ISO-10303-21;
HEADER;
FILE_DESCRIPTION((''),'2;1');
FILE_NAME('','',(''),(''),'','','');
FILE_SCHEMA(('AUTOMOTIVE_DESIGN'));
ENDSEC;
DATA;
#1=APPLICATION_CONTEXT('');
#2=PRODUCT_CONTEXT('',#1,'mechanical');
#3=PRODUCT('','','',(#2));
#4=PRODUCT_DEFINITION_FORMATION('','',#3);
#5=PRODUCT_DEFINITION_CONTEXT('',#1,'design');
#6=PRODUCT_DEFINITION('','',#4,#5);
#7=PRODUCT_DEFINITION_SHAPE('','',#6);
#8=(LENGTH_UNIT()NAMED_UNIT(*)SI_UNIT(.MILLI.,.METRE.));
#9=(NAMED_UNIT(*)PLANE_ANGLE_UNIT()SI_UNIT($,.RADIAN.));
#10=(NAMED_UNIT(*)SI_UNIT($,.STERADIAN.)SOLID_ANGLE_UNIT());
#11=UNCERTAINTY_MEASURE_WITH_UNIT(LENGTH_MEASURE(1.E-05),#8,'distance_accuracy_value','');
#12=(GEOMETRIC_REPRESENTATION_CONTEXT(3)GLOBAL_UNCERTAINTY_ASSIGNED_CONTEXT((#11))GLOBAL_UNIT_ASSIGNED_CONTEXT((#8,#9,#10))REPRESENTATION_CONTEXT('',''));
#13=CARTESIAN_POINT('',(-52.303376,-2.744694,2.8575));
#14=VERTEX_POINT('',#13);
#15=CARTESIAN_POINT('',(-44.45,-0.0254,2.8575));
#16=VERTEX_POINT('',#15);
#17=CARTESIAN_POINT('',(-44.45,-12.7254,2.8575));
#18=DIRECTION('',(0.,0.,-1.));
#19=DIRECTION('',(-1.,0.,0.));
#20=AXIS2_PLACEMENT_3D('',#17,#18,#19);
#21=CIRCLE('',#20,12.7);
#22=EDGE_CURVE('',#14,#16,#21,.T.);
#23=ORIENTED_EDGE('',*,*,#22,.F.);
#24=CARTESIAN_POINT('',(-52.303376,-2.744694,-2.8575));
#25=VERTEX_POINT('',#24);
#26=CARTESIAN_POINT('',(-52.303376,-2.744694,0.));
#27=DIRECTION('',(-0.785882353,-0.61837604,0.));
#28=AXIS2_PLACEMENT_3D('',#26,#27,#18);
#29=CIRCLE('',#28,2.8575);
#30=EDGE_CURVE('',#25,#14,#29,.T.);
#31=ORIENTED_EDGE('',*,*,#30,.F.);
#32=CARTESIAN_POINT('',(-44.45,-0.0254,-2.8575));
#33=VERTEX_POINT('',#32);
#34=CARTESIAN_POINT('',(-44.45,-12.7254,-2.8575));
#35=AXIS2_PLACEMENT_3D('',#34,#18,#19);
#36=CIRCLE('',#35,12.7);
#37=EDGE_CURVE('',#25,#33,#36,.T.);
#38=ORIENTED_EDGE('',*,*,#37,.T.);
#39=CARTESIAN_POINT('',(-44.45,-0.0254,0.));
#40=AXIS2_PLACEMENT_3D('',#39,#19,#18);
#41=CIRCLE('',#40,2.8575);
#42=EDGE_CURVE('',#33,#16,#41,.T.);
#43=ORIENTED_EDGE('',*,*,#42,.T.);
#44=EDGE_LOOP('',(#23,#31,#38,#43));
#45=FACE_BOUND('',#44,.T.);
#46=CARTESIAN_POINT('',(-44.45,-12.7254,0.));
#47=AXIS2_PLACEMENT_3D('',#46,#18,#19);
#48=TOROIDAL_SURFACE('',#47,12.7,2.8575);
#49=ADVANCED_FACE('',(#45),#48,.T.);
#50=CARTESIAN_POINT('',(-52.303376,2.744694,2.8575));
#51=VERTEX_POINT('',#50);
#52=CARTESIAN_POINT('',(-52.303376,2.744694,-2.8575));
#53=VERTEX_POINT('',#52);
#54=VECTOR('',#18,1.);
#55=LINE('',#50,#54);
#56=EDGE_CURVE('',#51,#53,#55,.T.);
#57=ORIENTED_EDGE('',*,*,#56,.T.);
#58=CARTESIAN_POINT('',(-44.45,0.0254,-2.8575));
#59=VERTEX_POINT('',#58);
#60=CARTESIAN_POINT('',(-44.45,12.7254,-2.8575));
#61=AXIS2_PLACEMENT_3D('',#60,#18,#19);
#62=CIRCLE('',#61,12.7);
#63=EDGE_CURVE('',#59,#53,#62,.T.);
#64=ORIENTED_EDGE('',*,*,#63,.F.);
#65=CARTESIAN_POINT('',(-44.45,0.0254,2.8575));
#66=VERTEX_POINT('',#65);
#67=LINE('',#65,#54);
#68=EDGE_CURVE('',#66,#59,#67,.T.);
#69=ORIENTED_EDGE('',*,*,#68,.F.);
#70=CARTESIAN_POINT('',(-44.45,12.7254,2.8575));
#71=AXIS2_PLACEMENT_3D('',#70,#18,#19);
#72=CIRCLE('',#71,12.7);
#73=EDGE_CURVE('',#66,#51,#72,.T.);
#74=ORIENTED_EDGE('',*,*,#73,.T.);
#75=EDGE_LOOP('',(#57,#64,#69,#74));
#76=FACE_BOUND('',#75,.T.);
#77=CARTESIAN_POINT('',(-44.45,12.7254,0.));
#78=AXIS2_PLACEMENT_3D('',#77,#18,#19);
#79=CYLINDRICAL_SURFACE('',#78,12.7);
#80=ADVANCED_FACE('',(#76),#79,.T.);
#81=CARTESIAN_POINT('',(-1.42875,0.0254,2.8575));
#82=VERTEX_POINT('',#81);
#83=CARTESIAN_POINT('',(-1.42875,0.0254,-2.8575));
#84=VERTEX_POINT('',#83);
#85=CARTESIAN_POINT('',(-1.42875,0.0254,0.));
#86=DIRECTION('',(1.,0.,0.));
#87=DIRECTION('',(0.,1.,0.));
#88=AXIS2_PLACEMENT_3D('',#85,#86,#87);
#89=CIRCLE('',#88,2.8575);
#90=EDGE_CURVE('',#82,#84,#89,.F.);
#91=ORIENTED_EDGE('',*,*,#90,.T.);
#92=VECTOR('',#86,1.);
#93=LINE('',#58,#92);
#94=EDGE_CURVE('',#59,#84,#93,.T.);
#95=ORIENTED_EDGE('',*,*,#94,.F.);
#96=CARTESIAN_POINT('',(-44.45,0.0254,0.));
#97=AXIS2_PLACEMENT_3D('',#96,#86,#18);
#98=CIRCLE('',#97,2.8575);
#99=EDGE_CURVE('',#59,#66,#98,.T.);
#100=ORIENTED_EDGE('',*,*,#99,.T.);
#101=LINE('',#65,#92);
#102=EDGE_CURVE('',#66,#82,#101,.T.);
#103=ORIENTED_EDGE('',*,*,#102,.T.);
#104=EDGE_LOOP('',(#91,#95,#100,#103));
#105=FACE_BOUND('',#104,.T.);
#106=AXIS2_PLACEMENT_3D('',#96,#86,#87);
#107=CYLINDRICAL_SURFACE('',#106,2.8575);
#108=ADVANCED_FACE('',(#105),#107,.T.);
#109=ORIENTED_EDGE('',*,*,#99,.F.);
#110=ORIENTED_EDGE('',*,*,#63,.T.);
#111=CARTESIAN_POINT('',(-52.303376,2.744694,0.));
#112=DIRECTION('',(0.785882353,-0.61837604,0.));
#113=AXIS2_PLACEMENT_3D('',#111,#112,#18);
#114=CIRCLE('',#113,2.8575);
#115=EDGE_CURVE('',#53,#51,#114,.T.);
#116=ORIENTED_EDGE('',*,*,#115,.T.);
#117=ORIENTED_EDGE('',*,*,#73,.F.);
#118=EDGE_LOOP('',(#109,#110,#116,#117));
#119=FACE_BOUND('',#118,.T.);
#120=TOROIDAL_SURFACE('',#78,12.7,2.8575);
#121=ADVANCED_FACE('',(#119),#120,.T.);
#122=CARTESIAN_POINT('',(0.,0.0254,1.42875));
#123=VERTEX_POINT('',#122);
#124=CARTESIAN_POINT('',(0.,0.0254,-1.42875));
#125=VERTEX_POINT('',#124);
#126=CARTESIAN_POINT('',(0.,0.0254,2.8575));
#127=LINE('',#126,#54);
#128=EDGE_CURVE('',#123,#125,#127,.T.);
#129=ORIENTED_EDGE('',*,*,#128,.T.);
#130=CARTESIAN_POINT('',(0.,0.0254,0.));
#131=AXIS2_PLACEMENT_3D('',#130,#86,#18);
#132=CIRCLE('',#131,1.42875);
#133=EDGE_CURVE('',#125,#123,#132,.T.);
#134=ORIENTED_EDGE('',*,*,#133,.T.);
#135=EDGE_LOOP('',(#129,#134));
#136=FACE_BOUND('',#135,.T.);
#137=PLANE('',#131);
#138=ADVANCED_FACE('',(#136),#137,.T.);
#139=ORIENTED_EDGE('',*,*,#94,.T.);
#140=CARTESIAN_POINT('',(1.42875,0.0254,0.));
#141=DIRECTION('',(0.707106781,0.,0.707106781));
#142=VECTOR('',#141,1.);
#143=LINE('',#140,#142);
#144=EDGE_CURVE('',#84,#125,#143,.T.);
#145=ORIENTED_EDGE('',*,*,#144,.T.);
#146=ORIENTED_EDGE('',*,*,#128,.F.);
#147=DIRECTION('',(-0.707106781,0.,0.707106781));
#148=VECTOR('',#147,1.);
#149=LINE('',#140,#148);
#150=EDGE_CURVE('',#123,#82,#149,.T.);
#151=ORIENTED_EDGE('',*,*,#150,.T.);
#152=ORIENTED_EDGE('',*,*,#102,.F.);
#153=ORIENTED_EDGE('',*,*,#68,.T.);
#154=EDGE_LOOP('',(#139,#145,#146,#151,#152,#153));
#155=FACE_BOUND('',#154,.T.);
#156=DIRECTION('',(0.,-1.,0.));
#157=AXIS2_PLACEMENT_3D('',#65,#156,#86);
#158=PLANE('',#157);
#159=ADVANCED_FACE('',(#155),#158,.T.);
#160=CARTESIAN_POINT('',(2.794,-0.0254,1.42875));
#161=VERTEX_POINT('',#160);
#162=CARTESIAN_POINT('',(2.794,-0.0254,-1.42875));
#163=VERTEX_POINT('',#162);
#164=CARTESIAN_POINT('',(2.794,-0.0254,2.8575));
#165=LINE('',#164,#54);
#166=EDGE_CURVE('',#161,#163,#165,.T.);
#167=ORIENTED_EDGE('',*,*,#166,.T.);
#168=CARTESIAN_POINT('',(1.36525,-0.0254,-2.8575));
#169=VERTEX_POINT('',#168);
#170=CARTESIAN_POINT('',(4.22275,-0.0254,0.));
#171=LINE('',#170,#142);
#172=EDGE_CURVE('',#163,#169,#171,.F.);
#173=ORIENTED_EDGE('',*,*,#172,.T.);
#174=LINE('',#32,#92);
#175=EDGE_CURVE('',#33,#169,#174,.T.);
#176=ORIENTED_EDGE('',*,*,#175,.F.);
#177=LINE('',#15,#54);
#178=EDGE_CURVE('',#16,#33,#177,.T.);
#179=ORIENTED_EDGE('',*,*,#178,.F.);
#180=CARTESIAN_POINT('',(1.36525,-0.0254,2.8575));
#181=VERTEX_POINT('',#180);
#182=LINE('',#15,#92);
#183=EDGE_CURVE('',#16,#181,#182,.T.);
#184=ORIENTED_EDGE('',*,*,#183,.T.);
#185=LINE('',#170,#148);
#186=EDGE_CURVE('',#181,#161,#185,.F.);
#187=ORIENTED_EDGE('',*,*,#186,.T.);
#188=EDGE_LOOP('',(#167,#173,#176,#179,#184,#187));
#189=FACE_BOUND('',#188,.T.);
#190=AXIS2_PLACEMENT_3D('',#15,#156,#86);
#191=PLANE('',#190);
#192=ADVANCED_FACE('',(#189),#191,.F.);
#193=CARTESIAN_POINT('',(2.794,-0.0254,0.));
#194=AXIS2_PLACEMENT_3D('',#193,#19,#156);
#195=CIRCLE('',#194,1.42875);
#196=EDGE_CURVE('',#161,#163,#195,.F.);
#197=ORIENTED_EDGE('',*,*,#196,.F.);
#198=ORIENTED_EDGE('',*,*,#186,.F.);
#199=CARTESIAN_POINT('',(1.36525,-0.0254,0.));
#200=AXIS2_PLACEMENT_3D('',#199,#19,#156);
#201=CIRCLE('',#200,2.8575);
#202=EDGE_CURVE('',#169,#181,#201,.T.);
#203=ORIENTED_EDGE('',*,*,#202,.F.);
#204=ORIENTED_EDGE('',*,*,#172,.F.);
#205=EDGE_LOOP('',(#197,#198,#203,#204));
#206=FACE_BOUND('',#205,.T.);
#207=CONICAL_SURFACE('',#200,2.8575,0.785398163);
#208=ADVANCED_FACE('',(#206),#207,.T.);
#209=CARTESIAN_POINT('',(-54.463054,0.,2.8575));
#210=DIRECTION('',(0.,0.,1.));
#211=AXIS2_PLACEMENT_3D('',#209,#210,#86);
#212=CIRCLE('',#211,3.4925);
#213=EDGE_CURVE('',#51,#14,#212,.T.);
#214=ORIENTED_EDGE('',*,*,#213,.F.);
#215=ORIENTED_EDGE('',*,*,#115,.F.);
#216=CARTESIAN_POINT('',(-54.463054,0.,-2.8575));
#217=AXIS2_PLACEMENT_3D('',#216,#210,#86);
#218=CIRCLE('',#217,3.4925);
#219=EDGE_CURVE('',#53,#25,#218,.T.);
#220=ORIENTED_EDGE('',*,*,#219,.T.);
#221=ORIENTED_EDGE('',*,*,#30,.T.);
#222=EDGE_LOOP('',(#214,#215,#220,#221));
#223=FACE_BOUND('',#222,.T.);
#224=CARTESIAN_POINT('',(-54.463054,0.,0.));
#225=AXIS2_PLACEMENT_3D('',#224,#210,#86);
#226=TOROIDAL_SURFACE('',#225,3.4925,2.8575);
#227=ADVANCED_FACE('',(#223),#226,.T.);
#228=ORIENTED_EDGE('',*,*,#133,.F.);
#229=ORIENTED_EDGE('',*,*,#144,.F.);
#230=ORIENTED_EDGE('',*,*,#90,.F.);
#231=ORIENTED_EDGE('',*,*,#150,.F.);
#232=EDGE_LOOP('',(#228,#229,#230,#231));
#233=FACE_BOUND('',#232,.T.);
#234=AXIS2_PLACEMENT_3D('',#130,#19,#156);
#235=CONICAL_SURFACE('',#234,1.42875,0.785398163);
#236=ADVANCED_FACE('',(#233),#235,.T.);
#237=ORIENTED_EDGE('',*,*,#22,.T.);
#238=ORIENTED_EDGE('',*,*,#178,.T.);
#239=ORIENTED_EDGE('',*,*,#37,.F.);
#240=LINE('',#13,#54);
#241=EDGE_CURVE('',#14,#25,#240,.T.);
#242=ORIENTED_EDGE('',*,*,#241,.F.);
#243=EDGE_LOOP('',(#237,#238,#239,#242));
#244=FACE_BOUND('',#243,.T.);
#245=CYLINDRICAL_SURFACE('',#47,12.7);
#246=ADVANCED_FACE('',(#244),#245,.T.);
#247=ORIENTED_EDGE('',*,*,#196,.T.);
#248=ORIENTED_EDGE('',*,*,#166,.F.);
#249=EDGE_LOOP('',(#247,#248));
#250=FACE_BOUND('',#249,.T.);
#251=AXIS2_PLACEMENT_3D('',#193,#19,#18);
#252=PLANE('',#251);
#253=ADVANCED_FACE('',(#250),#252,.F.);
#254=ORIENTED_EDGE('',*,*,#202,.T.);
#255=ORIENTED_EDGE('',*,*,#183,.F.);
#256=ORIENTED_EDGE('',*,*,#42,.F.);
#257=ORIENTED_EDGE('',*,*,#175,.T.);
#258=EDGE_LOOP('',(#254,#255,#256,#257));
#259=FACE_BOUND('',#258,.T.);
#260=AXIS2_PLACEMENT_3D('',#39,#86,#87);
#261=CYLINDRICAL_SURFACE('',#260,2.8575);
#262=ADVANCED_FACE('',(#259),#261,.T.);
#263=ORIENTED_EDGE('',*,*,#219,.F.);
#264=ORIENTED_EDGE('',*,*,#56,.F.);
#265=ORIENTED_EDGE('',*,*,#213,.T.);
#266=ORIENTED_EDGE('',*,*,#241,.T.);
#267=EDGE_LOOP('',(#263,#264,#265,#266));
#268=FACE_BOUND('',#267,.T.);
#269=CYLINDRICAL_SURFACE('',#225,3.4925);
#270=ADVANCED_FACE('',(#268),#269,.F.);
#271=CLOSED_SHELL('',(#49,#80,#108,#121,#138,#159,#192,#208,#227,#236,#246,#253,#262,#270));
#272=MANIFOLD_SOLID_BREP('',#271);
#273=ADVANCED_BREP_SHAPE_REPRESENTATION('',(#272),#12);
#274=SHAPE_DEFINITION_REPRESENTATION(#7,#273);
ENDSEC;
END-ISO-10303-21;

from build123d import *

# Parameters (mm, degrees)
CHAMFER1_SIZE = 1.42875


with BuildPart() as part:
    # Sweep1: sweep along a path in Sketch1
    with BuildLine(Plane.XY) as sweep1_path:
        Line((2.794, -0.0254), (-44.45, -0.0254))
        ThreePointArc((-44.45, -0.0254), (-48.605420273, -0.724463272), (-52.303375713, -2.744694118))
        ThreePointArc((-52.303375713, -2.744694118), (-57.955554034, 0), (-52.303375713, 2.744694118))
        ThreePointArc((-52.303375713, 2.744694118), (-48.605420273, 0.724463272), (-44.45, 0.0254))
        Line((-44.45, 0.0254), (0, 0.0254))
    # Sketch2 → Sweep1 (sweep)
    with BuildSketch(Plane(origin=(0, 0, 0), x_dir=(0, 0, -1), z_dir=(1, 0, 0))):
        with BuildLine():
            Line((-2.8575, 0.0254), (2.8575, 0.0254))
            ThreePointArc((2.8575, 0.0254), (0, 2.8829), (-2.8575, 0.0254))
        make_face()
    sweep(path=sweep1_path.line)

    # Chamfer1
    chamfer1_edges = [part.edges().sort_by_distance(p)[0] for p in [
        (2.794, -2.8829, 0),
        (0, 2.8829, 0),
    ]]
    chamfer(chamfer1_edges, length=CHAMFER1_SIZE)


solid = part.part
